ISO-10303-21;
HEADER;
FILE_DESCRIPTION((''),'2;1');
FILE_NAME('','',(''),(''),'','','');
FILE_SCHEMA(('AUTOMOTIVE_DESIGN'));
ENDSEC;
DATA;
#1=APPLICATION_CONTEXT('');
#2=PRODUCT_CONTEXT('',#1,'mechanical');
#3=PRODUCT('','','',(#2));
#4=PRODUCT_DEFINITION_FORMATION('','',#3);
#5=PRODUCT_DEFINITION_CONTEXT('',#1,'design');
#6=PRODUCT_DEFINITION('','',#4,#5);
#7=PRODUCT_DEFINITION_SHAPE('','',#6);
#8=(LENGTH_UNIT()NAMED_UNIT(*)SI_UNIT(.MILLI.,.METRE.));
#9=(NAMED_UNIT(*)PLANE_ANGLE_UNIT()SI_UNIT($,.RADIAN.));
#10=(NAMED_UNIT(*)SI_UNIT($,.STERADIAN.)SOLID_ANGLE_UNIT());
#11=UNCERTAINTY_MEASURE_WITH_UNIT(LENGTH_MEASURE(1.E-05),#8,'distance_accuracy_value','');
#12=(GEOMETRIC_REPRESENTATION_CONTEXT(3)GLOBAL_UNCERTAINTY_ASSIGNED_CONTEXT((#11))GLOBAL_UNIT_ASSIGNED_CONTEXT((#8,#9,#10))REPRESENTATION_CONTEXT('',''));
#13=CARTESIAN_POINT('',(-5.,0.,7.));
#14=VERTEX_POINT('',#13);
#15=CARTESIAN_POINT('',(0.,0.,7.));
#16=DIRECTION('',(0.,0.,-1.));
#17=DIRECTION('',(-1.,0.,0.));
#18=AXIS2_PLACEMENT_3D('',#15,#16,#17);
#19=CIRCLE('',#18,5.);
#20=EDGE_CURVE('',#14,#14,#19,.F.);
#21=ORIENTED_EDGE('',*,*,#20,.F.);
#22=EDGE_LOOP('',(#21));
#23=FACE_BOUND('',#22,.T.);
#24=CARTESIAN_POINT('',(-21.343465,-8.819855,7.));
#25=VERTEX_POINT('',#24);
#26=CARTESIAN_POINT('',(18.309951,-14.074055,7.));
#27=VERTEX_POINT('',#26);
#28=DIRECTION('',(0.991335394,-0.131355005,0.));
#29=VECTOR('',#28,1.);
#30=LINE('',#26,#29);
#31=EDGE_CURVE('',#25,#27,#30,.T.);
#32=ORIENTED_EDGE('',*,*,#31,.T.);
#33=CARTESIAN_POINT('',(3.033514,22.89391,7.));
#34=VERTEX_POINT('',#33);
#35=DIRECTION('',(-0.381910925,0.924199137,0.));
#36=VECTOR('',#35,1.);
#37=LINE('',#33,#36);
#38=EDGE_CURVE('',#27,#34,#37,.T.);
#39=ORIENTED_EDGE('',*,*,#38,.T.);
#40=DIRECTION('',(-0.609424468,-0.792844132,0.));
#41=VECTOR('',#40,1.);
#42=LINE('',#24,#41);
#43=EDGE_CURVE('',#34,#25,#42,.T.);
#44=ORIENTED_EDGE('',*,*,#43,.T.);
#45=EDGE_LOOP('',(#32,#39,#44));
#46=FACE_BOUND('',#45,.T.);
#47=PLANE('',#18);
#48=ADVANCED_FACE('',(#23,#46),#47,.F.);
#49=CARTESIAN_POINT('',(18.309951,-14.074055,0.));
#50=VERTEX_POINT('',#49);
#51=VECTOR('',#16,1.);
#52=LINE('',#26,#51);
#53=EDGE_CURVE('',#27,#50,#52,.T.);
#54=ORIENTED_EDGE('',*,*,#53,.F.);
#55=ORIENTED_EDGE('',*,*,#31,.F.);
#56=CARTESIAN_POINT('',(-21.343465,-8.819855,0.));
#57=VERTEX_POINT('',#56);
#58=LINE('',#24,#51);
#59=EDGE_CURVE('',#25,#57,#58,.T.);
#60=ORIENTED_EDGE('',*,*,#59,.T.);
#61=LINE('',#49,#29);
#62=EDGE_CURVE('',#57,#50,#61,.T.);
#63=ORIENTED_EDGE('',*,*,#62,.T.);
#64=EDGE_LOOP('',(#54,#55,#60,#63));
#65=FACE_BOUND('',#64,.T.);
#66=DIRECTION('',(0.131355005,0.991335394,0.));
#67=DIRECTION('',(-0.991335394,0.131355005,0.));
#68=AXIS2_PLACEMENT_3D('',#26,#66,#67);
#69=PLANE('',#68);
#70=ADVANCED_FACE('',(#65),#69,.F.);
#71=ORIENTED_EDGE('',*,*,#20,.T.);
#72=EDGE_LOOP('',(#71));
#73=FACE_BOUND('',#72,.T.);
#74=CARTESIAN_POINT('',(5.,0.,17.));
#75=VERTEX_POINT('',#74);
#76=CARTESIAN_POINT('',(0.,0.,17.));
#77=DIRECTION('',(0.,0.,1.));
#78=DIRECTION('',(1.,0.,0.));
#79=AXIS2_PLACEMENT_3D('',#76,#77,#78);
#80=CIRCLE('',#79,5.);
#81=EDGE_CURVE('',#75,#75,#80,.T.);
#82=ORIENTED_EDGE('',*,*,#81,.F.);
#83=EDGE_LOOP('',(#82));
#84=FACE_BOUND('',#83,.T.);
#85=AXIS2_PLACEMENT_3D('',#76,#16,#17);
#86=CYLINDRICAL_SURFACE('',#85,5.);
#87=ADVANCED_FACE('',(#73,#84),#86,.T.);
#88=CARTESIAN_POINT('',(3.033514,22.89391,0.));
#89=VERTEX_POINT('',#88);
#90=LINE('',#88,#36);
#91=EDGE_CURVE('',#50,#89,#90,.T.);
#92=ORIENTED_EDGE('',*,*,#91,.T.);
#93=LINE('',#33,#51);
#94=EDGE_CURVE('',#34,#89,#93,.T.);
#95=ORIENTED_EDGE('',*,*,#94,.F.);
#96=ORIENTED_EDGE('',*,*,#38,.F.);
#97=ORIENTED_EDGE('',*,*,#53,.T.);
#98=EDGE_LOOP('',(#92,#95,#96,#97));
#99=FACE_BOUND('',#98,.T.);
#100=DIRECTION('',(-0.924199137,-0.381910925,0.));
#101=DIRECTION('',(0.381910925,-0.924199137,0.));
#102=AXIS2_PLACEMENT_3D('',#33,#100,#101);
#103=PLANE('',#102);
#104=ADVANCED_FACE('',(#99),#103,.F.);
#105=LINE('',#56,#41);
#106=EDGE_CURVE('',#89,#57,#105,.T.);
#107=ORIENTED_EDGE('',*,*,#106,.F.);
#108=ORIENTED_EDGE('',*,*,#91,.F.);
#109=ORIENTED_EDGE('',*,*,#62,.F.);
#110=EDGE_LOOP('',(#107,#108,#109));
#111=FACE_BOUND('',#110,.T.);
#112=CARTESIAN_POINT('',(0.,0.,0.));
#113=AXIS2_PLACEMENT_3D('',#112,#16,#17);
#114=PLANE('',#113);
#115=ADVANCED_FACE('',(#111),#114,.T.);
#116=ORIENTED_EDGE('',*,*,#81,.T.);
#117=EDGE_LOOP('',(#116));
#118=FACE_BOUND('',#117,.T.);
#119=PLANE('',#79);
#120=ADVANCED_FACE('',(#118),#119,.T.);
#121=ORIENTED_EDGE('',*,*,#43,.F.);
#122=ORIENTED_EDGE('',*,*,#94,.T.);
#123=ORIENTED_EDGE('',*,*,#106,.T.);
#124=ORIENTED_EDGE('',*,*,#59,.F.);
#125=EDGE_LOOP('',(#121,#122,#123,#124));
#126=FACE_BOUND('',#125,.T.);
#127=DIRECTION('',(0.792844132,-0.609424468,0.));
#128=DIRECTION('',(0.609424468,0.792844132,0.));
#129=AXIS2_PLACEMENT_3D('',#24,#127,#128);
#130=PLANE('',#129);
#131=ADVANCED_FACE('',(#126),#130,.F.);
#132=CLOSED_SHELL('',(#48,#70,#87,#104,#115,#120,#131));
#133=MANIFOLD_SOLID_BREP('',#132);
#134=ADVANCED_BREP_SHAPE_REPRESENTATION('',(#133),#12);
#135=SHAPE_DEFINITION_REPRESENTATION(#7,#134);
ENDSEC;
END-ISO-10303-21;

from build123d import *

# Parameters (mm, degrees)
BOSS_EXTRU_1_DEPTH = 7
ESQUISSE2_R        = 5
BOSS_EXTRU_2_DEPTH = 10


with BuildPart() as part:
    # Esquisse1 → Boss.-Extru.1 (new body)
    with BuildSketch(Plane.XY):
        Polygon((-21.343464827, -8.819855018), (3.03351391, 22.893910253), (18.309950916, -14.074055236), align=None)
    extrude(amount=BOSS_EXTRU_1_DEPTH)

    # Esquisse2 → Boss.-Extru.2 (add)
    with BuildSketch(Plane.XY.offset(7)):
        Circle(ESQUISSE2_R)
    extrude(amount=BOSS_EXTRU_2_DEPTH)


solid = part.part
